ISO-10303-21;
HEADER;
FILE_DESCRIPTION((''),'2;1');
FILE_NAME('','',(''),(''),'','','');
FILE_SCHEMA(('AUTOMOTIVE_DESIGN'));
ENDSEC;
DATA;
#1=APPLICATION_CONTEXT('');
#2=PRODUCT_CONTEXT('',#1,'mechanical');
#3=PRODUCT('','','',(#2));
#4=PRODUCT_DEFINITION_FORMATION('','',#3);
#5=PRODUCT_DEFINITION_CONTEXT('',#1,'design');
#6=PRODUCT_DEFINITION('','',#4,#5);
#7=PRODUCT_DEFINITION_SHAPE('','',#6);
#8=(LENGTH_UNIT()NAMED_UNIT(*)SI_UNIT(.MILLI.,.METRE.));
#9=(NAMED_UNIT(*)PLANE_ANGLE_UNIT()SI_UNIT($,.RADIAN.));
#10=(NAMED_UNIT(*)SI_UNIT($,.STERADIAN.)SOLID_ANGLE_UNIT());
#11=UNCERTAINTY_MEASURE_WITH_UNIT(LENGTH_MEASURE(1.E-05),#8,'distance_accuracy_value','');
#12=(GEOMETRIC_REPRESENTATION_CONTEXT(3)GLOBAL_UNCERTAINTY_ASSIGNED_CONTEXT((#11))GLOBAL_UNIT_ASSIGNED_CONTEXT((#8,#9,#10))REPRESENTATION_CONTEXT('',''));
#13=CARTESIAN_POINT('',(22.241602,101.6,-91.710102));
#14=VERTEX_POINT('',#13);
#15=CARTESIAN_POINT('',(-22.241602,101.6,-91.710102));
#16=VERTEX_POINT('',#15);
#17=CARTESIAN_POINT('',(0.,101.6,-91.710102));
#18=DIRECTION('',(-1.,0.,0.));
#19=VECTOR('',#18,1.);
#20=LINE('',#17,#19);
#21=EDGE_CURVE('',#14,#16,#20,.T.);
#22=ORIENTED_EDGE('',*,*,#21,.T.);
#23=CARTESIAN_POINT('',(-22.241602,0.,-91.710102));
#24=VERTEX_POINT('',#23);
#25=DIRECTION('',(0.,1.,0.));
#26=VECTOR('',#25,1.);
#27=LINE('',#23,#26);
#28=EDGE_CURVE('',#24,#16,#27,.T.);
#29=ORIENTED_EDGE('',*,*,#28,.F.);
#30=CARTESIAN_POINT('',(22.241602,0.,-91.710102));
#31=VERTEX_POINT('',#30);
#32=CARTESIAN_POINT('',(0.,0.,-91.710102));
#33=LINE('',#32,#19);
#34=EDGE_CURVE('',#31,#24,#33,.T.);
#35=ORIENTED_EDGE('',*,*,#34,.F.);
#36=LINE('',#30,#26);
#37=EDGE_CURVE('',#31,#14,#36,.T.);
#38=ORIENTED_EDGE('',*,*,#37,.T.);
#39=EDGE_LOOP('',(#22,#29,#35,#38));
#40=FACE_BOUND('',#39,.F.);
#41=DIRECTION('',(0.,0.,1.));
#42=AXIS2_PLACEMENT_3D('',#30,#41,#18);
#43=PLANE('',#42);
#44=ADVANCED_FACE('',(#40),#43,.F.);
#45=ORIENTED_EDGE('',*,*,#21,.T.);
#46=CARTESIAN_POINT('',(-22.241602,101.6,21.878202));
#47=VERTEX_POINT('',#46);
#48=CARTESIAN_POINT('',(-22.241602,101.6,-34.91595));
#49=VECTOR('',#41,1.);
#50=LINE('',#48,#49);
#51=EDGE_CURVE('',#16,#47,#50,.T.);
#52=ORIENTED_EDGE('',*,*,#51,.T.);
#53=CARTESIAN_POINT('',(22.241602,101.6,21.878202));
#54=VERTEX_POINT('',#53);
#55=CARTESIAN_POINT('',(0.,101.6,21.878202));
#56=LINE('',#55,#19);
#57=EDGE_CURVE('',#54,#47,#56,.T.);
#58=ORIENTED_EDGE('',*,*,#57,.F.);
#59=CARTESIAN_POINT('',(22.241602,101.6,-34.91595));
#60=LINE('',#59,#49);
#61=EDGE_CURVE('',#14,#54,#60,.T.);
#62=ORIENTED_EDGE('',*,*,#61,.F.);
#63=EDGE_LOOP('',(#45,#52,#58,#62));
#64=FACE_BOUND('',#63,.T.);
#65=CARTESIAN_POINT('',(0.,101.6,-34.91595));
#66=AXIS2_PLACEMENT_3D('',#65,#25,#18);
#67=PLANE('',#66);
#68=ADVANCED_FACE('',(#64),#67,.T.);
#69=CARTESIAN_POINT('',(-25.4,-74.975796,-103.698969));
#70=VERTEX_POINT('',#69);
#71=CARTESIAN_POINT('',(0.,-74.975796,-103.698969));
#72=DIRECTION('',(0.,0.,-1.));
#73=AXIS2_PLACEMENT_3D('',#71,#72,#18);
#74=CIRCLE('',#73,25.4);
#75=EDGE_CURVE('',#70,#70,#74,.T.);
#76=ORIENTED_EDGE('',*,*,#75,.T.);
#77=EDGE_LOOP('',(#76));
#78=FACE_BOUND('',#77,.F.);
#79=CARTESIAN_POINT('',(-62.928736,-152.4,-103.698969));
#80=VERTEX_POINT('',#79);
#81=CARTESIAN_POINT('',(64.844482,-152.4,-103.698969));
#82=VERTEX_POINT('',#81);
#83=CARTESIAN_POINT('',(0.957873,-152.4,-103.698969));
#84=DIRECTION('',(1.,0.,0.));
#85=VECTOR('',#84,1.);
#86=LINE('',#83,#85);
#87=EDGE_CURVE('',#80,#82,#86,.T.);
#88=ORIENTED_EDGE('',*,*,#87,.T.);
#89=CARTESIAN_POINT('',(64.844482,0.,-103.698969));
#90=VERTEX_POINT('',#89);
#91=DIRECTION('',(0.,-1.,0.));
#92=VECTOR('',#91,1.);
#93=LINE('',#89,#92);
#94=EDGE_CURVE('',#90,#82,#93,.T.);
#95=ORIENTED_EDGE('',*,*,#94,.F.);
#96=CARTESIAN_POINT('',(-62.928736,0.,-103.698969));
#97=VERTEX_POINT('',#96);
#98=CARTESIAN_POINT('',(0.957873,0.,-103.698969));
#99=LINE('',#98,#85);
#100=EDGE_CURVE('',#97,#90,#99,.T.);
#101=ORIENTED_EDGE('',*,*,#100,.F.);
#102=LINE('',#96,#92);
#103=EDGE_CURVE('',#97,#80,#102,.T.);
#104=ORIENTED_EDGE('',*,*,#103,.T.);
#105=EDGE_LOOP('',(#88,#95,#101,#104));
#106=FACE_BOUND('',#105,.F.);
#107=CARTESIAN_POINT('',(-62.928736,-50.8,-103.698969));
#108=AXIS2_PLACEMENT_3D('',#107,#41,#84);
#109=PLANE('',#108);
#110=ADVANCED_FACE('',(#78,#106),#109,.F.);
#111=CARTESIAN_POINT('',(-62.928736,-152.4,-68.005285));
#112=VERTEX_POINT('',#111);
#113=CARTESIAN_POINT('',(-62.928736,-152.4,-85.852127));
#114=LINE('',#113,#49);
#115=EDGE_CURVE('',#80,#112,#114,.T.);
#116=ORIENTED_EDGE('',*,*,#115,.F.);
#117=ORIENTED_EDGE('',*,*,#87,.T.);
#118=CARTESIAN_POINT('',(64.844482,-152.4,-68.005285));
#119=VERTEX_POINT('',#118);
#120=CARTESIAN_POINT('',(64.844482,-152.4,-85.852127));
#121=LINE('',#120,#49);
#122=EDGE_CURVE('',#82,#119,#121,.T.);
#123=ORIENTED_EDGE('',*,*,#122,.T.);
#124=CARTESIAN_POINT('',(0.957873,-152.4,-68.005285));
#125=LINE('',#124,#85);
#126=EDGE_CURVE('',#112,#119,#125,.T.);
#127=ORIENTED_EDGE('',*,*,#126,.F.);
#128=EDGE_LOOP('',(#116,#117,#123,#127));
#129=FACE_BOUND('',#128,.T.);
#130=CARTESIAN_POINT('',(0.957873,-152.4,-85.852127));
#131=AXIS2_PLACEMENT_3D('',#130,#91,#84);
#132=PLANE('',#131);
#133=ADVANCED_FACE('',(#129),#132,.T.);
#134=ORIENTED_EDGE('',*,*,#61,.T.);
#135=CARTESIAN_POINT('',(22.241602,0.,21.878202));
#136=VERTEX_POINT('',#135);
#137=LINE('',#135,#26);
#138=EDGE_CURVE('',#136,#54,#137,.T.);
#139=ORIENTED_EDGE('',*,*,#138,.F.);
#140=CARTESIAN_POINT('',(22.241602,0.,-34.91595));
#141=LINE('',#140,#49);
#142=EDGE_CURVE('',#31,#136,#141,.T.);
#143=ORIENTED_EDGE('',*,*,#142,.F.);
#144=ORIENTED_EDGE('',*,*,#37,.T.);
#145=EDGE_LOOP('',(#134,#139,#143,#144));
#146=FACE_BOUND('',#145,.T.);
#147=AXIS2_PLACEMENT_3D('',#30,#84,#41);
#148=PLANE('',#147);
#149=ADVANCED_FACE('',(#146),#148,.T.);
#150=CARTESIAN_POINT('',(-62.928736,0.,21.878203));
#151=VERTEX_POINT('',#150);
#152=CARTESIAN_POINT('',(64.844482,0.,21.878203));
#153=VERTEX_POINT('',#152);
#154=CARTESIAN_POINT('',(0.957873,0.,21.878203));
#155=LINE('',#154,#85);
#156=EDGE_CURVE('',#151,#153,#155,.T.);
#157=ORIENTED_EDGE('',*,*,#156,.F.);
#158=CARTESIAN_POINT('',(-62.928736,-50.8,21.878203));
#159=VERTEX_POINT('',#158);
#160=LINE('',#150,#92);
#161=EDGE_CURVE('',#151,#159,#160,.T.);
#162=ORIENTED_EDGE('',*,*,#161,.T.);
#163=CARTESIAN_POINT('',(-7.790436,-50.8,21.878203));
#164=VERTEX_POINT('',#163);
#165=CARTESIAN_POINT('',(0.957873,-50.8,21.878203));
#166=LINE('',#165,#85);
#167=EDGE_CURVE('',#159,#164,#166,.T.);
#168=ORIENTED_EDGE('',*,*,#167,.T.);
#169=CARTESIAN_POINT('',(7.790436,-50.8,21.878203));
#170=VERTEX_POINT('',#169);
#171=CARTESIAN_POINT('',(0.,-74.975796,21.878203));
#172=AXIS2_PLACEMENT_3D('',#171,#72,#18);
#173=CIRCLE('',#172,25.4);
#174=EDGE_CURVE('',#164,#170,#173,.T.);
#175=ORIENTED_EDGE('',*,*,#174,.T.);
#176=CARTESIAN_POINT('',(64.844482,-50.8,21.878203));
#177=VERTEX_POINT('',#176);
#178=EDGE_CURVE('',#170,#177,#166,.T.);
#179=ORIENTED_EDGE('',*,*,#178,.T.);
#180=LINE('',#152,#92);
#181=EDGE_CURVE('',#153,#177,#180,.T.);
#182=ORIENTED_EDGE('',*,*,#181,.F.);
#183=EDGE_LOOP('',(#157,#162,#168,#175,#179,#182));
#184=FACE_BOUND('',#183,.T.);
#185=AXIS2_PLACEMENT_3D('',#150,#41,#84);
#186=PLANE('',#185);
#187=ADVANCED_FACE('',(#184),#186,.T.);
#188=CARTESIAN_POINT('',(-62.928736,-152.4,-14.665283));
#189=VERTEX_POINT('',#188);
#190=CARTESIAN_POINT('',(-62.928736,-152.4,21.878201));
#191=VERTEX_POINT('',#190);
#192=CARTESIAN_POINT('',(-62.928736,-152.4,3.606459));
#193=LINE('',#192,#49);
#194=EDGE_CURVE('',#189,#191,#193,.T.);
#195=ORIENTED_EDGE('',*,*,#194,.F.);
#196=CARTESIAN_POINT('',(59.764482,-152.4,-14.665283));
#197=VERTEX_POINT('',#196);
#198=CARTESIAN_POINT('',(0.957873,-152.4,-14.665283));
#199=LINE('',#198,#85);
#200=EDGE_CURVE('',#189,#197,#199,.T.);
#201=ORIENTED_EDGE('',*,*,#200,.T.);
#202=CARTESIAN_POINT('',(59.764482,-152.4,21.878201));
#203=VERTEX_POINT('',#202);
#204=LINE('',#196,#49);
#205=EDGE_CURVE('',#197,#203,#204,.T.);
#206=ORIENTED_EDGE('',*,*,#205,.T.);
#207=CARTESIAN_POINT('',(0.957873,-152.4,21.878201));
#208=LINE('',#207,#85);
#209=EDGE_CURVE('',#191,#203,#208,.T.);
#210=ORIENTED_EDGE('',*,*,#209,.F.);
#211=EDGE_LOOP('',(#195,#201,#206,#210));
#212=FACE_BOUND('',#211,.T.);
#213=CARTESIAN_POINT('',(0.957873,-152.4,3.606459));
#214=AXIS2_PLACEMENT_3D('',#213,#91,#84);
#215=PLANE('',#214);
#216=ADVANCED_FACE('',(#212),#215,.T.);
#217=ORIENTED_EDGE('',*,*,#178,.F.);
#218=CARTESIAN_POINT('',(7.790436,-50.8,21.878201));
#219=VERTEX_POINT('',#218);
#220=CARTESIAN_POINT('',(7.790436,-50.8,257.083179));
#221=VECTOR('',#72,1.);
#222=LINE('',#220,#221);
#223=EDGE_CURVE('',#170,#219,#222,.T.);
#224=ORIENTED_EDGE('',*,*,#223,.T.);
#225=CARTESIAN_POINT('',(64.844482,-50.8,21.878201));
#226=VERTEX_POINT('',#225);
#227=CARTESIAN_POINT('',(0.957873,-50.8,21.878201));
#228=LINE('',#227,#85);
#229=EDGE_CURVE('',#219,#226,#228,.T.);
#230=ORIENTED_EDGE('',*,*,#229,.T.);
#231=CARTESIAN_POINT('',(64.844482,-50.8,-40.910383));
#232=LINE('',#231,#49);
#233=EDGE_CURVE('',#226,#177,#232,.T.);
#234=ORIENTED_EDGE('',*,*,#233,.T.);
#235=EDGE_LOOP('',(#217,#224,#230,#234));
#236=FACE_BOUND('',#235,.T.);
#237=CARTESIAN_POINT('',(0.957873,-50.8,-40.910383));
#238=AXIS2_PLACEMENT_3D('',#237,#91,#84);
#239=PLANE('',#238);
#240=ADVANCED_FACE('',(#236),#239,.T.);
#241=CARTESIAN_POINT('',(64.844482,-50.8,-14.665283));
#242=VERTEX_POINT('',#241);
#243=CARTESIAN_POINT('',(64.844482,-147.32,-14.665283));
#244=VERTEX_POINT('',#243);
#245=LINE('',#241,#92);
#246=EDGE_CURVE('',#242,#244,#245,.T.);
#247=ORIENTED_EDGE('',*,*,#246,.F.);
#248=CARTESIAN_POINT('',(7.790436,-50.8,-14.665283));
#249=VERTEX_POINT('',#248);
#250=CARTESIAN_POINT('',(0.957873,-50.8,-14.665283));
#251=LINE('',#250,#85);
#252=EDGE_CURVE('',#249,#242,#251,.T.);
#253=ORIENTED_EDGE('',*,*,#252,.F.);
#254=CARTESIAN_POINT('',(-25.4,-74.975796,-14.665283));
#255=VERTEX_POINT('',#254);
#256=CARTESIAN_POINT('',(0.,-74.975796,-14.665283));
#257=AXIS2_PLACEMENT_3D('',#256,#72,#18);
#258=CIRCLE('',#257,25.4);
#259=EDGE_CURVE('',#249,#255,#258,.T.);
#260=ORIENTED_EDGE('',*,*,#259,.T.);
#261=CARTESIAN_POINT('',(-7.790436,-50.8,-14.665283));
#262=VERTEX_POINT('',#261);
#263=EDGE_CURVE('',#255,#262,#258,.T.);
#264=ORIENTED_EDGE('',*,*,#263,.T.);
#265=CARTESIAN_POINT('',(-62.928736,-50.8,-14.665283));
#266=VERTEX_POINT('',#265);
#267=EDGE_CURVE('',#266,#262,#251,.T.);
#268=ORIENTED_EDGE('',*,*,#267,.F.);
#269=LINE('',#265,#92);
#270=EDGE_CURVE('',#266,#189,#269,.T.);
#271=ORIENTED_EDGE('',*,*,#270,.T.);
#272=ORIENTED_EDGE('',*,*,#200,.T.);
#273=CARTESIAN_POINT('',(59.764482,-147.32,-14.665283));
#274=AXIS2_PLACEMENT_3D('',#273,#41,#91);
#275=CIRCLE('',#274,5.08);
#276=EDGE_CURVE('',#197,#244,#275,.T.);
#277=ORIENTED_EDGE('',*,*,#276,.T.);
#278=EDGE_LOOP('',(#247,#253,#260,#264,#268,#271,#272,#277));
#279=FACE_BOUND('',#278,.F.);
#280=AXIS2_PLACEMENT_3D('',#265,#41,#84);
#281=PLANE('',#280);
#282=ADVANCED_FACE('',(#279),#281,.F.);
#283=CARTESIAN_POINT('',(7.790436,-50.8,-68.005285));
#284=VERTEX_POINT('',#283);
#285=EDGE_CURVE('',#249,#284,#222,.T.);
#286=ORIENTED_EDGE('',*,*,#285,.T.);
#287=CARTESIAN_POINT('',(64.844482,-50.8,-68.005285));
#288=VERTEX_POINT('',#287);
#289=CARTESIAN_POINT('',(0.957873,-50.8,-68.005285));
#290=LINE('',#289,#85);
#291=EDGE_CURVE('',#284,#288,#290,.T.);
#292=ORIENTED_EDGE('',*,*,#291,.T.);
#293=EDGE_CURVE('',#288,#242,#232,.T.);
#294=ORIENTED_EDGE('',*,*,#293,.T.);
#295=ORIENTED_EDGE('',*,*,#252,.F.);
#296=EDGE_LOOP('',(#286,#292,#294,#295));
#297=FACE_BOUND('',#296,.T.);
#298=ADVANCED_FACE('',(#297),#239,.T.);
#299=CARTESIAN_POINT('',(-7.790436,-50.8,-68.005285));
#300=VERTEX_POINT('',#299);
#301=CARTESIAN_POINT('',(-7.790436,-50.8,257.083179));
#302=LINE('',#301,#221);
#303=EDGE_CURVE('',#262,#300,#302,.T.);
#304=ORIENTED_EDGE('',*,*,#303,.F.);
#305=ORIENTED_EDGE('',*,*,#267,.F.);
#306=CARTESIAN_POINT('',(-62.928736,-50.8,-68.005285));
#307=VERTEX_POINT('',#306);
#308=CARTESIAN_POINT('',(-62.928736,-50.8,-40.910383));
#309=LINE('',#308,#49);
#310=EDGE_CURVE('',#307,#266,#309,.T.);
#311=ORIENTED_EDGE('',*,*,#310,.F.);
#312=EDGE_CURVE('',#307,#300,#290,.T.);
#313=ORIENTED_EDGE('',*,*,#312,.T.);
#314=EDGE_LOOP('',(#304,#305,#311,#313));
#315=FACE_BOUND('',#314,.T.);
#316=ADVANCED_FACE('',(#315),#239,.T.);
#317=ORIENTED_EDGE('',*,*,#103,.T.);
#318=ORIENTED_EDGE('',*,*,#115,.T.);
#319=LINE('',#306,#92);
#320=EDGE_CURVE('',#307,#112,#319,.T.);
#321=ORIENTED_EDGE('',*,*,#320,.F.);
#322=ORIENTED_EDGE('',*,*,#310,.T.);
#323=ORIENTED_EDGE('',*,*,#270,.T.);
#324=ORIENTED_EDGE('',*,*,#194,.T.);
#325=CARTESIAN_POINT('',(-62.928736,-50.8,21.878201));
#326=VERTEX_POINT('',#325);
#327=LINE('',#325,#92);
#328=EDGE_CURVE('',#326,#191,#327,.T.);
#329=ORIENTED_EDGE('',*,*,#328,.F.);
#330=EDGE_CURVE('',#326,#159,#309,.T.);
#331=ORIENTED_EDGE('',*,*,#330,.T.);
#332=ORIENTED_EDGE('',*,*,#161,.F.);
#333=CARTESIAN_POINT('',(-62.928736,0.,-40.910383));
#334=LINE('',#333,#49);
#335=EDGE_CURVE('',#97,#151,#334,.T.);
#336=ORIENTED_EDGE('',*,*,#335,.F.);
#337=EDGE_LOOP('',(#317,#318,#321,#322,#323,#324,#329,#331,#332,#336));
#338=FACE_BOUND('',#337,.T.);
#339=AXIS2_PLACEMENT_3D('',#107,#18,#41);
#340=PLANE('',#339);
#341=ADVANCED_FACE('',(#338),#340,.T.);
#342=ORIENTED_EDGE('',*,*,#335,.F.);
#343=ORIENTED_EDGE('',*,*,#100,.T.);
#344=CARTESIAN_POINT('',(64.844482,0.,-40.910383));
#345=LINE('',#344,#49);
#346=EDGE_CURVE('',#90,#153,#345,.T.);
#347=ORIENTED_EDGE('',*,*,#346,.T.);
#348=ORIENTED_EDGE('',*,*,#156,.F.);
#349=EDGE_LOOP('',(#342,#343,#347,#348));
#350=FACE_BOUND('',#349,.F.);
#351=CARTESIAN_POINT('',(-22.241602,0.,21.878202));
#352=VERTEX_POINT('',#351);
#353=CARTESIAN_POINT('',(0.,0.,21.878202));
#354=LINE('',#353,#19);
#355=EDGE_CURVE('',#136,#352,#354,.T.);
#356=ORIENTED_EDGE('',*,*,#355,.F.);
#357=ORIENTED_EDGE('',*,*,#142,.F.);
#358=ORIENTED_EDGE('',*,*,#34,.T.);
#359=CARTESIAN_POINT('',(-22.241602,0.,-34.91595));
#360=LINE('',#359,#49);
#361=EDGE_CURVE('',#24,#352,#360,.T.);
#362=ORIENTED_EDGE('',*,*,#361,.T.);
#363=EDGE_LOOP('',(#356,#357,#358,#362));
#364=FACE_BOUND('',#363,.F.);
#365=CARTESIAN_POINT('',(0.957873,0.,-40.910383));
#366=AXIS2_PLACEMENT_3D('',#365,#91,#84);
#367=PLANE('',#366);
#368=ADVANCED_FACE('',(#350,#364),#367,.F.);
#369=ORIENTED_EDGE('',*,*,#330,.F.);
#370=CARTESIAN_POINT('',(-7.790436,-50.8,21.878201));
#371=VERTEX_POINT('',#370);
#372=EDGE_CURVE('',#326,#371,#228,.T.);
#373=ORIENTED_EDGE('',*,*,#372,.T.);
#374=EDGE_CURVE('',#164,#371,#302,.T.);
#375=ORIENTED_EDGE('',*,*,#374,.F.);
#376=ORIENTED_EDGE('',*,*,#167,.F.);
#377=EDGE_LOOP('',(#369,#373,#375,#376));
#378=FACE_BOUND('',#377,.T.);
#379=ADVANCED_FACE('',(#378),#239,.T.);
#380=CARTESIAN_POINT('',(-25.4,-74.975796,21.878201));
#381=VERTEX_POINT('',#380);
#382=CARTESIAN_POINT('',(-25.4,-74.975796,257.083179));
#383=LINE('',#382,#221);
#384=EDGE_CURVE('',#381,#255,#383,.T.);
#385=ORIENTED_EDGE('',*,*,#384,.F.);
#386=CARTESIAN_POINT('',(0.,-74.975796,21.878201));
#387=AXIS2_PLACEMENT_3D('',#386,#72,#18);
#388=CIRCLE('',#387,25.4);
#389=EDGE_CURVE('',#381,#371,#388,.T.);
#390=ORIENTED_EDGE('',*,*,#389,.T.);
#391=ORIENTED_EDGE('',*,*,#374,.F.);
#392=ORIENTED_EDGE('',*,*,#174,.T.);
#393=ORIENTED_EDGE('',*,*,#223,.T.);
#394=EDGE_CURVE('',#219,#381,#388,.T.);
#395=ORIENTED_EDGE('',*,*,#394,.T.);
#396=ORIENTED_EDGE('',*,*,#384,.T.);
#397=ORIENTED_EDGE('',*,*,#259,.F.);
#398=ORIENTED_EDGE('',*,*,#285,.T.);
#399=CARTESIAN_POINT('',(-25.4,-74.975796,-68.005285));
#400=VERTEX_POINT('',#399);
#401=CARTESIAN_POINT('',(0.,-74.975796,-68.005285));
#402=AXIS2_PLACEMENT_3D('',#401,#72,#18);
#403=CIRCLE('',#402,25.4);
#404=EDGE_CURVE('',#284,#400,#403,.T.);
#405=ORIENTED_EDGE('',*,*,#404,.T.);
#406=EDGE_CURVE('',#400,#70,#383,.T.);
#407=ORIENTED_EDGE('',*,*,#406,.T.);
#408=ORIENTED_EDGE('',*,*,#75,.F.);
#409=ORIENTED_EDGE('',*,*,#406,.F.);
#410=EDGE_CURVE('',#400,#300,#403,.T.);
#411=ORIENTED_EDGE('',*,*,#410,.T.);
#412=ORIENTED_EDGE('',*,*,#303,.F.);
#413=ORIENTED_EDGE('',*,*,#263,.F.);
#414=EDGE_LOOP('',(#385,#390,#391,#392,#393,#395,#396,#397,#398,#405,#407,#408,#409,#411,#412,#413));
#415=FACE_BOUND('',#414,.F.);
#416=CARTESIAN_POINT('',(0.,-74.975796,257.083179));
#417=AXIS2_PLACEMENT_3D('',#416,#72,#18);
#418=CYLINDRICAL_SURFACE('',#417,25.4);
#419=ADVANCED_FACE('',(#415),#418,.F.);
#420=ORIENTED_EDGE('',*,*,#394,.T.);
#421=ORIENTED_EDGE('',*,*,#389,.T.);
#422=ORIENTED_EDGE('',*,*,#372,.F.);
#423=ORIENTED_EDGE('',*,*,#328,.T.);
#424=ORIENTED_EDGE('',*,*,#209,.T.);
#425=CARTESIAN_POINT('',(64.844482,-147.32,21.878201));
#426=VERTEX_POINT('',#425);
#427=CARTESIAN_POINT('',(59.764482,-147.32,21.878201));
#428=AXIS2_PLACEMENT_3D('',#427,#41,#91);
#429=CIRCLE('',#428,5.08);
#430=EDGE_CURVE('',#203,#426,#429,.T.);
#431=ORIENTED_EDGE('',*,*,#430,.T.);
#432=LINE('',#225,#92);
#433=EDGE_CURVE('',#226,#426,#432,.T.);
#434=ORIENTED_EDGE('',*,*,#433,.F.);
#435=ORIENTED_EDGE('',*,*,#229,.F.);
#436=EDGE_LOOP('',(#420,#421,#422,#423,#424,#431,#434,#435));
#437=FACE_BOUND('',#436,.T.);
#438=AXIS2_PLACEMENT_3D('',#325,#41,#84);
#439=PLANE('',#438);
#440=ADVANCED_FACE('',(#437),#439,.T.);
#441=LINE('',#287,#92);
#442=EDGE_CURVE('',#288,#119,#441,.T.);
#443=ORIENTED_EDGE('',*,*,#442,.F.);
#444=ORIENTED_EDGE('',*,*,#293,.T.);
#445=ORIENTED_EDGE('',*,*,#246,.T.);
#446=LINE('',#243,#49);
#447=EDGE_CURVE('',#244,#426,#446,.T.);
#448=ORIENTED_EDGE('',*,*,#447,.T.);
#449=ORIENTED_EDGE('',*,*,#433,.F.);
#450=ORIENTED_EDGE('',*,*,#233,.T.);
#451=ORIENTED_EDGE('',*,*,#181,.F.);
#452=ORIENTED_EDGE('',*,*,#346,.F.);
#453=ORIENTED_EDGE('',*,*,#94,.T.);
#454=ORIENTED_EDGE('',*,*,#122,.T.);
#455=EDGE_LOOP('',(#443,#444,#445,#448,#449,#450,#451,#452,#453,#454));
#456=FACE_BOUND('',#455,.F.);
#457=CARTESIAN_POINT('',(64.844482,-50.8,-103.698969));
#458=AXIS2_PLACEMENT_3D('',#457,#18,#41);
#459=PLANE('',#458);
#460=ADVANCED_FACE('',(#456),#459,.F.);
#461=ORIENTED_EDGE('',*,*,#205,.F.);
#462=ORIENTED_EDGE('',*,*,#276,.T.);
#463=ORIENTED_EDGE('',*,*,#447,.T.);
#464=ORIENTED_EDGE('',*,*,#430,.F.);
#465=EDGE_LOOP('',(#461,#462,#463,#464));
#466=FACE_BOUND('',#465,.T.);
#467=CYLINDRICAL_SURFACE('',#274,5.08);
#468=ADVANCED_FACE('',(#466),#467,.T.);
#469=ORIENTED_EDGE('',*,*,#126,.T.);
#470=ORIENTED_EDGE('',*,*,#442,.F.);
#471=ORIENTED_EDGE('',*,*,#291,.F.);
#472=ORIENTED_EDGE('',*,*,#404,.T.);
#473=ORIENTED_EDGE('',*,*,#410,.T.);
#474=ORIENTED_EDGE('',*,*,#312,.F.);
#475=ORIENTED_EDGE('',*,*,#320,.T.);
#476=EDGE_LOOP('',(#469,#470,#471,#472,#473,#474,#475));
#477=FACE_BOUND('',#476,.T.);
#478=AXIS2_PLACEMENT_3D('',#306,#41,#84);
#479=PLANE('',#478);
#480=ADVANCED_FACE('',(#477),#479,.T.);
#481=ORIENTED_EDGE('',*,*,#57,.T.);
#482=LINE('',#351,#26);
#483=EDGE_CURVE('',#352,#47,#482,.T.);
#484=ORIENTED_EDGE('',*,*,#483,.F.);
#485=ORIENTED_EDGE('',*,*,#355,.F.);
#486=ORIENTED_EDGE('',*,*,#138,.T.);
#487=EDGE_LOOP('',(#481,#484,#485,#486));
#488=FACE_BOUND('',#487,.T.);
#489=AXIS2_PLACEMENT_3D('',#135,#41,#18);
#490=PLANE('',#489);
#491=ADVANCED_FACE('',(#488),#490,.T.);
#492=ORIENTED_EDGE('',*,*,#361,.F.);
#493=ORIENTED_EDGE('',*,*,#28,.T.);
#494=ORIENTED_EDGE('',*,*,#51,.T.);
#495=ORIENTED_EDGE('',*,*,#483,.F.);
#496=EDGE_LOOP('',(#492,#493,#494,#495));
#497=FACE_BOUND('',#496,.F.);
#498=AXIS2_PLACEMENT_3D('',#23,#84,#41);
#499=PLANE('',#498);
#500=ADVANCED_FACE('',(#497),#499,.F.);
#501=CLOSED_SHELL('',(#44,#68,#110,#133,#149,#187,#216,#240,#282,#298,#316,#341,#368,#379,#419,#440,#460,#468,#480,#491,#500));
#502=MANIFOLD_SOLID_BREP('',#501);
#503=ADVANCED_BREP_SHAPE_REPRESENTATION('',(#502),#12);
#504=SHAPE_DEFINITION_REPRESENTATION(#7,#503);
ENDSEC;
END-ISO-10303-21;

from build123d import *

# Parameters (mm, degrees)
F0_W     = 127.773218
F0_H     = 125.577171
F1_DEPTH = 50.8
F2_W     = 127.773218
F2_H     = 36.543485
F2_H_2   = 35.693683
F3_DEPTH = 101.6
F5_D     = 50.8
F6_R     = 5.08
F7_W     = 44.483204
F7_H     = 113.588304
F8_DEPTH = 101.6


with BuildPart() as f1:
    # F0 (on Front) → F1 (new body)
    with BuildSketch(Plane.XZ):
        with Locations((0.957873, -40.910383)):
            Rectangle(F0_W, F0_H)
    extrude(amount=F1_DEPTH)

    # F2 (on face) → F3 (join)
    with BuildSketch(Plane.XZ.offset(50.8)):
        with Locations((0.957873, 3.606459)):
            Rectangle(F2_W, F2_H)
        with Locations((0.957873, -85.852127)):
            Rectangle(F2_W, F2_H_2)
    extrude(amount=F3_DEPTH)

    # F5 (through all)
    with Locations(Plane.XY.offset(21.878202)):
        with Locations((0, -74.975796)):
            Hole(F5_D / 2)

    # F6
    f6_edges = [f1.edges().sort_by_distance(p)[0] for p in [
        (64.844482, -152.4, 3.606459),
    ]]
    fillet(f6_edges, radius=F6_R)

    # F7 (on face) → F8 (join)
    with BuildSketch(Plane(origin=(0, 0, 0), x_dir=(-1, 0, 0), z_dir=(0, 1, 0))):
        with Locations((0, -34.91595)):
            Rectangle(F7_W, F7_H)
    extrude(amount=F8_DEPTH)


solid = f1.part
